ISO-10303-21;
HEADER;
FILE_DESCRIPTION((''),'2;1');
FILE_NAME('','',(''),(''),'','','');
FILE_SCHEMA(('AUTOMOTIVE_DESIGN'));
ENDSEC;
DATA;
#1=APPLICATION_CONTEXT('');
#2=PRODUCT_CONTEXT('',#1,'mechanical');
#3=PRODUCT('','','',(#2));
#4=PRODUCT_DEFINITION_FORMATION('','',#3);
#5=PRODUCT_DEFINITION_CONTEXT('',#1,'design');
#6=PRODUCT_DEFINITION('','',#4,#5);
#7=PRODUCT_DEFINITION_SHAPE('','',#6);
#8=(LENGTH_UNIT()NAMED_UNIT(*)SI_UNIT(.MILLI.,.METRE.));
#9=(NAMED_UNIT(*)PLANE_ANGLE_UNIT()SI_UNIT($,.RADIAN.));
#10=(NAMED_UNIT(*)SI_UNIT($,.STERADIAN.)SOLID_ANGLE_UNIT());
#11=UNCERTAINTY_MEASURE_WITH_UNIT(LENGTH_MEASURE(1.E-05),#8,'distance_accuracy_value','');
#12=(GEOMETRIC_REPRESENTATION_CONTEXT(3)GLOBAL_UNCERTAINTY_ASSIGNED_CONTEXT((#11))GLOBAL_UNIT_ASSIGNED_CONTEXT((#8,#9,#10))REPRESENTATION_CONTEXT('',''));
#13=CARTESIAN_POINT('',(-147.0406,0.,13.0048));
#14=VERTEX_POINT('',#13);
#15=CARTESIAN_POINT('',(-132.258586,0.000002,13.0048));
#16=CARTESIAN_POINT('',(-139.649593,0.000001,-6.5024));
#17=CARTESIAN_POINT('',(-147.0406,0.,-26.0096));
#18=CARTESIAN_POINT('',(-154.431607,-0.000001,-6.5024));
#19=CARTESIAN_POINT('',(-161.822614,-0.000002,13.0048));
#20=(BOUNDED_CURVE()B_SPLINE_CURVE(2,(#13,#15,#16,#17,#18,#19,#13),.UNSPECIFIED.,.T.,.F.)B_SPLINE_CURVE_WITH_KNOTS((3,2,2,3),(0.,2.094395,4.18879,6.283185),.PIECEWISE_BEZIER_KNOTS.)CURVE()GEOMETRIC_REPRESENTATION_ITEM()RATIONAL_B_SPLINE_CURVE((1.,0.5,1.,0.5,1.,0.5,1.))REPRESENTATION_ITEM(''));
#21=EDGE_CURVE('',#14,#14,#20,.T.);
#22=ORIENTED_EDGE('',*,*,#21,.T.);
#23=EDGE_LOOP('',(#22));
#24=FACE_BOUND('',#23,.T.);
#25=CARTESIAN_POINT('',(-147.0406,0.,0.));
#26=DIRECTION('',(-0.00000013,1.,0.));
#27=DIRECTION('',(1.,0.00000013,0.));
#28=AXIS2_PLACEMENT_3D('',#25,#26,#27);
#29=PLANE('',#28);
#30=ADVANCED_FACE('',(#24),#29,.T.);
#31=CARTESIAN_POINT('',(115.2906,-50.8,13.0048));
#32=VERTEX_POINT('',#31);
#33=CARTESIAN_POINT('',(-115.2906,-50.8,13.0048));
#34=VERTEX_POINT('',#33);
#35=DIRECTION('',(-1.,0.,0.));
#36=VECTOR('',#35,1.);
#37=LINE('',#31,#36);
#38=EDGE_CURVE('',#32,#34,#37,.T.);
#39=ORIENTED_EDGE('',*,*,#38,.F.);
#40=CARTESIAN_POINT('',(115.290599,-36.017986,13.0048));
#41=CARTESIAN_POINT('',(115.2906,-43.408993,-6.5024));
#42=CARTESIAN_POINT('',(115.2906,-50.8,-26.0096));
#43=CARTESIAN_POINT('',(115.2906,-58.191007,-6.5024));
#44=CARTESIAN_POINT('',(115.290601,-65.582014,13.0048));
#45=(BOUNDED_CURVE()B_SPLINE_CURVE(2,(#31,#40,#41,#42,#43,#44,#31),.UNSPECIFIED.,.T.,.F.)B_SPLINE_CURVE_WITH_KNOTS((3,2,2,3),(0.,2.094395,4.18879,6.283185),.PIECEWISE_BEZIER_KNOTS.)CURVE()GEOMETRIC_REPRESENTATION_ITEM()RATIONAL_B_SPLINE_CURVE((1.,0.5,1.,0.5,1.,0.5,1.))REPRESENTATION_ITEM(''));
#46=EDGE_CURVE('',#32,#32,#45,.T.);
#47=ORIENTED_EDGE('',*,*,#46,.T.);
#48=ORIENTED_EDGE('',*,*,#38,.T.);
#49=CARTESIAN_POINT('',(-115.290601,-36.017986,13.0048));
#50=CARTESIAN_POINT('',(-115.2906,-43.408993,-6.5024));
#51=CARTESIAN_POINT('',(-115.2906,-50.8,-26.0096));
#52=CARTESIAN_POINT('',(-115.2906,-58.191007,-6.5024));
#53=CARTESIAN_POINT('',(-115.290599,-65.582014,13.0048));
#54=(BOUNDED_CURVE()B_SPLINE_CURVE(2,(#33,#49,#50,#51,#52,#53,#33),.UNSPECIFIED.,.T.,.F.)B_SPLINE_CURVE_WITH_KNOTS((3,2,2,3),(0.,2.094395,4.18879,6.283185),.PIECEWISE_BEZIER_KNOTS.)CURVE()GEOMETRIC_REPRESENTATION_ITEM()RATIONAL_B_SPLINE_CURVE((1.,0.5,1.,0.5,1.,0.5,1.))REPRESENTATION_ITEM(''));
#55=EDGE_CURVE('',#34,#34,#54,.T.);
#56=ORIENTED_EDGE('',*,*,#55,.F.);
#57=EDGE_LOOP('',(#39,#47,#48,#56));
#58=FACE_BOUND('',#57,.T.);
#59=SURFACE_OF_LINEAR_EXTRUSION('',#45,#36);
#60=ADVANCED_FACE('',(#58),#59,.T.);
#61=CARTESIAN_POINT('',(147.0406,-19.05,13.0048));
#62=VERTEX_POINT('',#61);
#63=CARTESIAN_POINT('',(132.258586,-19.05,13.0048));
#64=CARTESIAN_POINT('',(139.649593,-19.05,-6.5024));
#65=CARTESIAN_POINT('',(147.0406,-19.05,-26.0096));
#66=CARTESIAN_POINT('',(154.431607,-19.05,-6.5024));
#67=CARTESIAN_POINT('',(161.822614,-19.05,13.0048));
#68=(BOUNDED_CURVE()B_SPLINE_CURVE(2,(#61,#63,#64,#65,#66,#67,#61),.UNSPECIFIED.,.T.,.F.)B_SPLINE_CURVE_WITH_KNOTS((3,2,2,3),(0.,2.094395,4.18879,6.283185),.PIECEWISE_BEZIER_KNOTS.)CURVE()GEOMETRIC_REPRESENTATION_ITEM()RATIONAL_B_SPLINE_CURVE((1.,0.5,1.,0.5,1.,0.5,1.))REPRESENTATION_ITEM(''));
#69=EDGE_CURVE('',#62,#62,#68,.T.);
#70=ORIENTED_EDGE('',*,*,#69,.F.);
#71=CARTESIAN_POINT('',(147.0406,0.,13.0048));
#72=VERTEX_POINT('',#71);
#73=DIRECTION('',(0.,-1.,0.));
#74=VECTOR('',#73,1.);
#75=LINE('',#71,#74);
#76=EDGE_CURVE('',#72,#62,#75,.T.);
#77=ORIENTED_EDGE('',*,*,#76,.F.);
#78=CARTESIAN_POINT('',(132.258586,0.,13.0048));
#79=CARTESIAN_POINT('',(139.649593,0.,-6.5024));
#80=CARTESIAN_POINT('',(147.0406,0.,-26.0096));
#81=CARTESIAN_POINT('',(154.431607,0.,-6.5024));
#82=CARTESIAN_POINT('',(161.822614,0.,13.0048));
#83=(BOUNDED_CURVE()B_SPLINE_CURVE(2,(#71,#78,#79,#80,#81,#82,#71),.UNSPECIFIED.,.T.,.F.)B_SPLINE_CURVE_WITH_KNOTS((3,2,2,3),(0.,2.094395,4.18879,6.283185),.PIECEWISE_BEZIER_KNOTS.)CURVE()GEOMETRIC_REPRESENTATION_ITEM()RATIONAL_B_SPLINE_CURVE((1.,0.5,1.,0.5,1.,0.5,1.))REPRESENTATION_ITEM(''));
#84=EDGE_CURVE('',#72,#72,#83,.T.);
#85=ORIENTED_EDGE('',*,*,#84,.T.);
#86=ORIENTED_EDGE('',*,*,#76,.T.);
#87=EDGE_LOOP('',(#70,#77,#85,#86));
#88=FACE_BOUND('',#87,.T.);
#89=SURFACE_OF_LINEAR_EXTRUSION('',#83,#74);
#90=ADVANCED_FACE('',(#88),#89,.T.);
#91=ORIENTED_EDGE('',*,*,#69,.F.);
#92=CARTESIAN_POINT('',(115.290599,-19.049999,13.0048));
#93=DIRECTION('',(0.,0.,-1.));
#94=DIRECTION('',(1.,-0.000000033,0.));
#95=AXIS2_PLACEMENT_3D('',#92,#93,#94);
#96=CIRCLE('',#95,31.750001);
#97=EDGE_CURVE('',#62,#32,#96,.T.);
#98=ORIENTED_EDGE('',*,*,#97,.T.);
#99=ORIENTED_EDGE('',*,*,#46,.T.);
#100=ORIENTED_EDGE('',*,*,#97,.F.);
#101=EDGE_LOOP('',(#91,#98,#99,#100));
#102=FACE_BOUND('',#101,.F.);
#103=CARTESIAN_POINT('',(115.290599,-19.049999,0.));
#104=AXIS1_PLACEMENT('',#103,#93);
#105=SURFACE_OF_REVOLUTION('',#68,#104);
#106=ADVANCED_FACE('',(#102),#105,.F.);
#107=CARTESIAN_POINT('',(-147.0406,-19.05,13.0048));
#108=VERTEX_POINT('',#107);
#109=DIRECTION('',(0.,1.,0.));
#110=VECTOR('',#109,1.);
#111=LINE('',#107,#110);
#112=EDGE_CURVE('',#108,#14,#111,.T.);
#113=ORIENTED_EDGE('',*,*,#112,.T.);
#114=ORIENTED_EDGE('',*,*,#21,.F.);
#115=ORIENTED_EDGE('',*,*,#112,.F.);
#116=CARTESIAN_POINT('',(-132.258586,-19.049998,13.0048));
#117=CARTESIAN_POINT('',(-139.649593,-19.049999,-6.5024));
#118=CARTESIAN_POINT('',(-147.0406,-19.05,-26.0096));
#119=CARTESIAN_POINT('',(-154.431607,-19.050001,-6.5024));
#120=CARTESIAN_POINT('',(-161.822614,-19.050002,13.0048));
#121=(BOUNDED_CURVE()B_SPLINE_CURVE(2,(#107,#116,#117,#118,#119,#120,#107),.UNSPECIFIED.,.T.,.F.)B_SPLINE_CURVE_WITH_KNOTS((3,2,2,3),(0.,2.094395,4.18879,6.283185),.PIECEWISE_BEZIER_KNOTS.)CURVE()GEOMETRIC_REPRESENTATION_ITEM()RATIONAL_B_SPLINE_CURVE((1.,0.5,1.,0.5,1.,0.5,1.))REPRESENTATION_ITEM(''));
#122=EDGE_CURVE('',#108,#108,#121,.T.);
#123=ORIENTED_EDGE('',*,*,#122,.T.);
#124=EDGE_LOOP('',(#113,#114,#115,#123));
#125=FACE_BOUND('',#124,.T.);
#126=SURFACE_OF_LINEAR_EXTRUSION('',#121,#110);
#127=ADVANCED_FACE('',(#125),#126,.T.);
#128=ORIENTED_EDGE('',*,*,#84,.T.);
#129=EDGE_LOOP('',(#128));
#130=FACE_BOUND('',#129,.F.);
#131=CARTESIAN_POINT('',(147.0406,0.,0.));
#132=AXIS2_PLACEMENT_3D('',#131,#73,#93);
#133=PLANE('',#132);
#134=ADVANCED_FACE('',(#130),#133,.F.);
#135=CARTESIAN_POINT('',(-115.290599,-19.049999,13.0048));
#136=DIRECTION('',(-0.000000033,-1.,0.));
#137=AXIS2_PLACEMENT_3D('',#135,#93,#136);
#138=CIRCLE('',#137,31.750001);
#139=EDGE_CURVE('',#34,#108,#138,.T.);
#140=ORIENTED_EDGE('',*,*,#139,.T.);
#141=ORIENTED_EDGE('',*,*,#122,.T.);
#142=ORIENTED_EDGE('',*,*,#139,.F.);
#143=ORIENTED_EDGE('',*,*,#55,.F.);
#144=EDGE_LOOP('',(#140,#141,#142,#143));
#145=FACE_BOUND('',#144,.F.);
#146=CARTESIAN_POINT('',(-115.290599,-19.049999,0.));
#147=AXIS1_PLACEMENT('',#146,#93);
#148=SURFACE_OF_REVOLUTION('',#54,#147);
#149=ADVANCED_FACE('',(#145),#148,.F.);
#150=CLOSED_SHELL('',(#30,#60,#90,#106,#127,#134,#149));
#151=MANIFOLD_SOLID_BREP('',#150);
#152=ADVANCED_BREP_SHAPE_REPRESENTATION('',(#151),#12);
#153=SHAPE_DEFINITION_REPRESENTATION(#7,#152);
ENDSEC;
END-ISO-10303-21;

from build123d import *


with BuildPart() as f2:
    # F2: sweep along a path in F1
    with BuildLine(Plane.XY) as f2_path:
        Line((147.0406, 0), (147.0406, -19.05))
        ThreePointArc((147.0406, -19.05), (137.74124, -41.50064), (115.2906, -50.8))
        Line((115.2906, -50.8), (-115.2906, -50.8))
        ThreePointArc((-115.2906, -50.8), (-137.74124, -41.50064), (-147.0406, -19.05))
        Line((-147.0406, -19.05), (-147.0406, 0))
    # F0 (on Front) → F2 (sweep)
    with BuildSketch(Plane.XZ):
        with BuildLine():
            add(Edge.make_bspline(
                [(147.0406, 13.0048), (132.258586, 13.0048), (139.649593, -6.5024), (147.0406, -26.0096), (154.431607, -6.5024), (161.822614, 13.0048), (147.0406, 13.0048)],
                knots=[0, 0, 0, 2.094395, 2.094395, 4.18879, 4.18879, 6.283185, 6.283185, 6.283185], degree=2, weights=[1, 0.5, 1, 0.5, 1, 0.5, 1]))
        make_face()
    sweep(path=f2_path.line)


solid = f2.part
